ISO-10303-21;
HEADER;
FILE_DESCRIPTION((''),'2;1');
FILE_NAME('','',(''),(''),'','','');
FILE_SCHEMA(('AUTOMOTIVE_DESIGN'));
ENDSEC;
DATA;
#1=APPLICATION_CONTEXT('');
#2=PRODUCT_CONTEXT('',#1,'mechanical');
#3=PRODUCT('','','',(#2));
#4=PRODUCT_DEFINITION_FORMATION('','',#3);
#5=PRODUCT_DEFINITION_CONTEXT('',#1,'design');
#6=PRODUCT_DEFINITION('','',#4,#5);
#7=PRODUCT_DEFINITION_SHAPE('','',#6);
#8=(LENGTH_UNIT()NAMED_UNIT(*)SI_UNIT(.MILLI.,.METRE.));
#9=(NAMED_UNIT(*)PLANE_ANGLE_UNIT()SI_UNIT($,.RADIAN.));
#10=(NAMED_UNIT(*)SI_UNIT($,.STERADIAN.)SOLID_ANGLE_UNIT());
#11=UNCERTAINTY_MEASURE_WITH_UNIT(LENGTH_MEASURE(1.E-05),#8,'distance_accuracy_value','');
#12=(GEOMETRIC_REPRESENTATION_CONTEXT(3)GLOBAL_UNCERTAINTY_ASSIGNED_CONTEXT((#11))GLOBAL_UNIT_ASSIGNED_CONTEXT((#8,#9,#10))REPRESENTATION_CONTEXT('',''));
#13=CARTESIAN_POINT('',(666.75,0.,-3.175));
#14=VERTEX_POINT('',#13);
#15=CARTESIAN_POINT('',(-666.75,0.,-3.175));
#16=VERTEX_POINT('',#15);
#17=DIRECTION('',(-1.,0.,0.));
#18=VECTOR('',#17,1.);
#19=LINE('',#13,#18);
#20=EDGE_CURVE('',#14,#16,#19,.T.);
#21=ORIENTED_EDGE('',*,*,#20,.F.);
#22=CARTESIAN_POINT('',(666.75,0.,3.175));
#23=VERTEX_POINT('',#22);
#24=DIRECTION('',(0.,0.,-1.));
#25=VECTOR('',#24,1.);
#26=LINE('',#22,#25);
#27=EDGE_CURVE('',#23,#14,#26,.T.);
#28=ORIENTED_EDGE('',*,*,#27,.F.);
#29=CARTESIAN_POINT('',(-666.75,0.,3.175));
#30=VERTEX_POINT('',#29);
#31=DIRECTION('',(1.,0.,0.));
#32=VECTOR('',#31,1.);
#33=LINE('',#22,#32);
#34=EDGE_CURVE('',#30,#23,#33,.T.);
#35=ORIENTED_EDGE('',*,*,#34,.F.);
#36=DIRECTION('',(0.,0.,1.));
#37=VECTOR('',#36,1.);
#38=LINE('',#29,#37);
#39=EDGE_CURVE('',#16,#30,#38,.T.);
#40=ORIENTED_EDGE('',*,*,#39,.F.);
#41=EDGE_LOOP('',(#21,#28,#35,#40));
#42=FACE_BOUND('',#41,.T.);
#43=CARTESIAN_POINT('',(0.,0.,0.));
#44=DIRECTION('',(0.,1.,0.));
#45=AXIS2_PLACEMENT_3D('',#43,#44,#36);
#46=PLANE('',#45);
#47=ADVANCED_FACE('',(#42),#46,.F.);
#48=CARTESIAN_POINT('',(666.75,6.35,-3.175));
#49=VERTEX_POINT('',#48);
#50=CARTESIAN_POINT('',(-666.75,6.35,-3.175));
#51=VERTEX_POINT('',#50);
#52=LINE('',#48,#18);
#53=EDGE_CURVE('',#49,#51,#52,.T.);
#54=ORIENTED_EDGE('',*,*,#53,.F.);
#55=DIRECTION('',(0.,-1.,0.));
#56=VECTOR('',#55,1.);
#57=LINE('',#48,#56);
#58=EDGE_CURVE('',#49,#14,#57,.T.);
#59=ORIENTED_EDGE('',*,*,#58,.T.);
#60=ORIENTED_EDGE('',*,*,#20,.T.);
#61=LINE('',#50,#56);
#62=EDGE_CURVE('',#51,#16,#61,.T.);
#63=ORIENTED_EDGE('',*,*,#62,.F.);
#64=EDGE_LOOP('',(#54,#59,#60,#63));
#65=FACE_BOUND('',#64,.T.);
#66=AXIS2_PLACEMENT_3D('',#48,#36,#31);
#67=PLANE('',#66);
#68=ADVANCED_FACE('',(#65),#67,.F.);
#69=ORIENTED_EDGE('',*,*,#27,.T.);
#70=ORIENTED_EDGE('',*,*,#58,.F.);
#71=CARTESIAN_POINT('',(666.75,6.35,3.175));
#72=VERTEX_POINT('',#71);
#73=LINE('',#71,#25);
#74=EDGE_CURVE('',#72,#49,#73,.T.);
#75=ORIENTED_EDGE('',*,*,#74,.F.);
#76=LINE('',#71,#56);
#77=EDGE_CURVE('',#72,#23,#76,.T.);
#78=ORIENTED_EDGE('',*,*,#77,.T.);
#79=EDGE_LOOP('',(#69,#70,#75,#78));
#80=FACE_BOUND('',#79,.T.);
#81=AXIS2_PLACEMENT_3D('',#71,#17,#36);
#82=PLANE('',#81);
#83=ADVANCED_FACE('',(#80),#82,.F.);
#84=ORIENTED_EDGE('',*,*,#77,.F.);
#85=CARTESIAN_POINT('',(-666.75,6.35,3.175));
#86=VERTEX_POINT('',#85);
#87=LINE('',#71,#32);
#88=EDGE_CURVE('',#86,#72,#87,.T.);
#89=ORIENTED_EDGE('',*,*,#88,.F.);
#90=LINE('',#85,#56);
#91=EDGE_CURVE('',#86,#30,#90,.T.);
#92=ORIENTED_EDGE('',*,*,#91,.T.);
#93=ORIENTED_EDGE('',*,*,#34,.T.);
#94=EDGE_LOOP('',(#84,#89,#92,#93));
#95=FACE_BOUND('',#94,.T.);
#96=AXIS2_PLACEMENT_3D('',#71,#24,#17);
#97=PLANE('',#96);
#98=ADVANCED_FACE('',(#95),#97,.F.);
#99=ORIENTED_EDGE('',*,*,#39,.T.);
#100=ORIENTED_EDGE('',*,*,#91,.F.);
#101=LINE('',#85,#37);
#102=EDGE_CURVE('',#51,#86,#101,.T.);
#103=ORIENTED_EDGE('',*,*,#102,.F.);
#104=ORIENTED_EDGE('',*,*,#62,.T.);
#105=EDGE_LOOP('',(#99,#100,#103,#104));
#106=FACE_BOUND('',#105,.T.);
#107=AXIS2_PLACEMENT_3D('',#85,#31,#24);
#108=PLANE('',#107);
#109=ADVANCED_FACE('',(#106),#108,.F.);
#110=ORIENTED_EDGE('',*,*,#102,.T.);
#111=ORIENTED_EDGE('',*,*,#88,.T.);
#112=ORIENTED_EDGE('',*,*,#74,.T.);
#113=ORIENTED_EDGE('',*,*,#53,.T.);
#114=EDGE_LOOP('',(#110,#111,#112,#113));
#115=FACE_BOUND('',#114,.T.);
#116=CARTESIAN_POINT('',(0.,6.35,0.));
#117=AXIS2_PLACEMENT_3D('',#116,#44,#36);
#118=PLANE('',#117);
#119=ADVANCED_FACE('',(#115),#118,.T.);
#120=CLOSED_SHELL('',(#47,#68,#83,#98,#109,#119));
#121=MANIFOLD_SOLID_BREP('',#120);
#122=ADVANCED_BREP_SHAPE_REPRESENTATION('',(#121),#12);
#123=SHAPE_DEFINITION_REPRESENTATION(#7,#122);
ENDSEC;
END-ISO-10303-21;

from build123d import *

# Parameters (mm, degrees)
SKETCH2_W           = 1333.5
SKETCH2_H           = 6.35
BOSS_EXTRUDE2_DEPTH = 6.35


with BuildPart() as part:
    # Sketch2 → Boss-Extrude2 (new body)
    with BuildSketch(Plane(origin=(0, 0, 0), x_dir=(1, 0, 0), z_dir=(0, 1, 0))):
        Rectangle(SKETCH2_W, SKETCH2_H)
    extrude(amount=BOSS_EXTRUDE2_DEPTH)


solid = part.part
